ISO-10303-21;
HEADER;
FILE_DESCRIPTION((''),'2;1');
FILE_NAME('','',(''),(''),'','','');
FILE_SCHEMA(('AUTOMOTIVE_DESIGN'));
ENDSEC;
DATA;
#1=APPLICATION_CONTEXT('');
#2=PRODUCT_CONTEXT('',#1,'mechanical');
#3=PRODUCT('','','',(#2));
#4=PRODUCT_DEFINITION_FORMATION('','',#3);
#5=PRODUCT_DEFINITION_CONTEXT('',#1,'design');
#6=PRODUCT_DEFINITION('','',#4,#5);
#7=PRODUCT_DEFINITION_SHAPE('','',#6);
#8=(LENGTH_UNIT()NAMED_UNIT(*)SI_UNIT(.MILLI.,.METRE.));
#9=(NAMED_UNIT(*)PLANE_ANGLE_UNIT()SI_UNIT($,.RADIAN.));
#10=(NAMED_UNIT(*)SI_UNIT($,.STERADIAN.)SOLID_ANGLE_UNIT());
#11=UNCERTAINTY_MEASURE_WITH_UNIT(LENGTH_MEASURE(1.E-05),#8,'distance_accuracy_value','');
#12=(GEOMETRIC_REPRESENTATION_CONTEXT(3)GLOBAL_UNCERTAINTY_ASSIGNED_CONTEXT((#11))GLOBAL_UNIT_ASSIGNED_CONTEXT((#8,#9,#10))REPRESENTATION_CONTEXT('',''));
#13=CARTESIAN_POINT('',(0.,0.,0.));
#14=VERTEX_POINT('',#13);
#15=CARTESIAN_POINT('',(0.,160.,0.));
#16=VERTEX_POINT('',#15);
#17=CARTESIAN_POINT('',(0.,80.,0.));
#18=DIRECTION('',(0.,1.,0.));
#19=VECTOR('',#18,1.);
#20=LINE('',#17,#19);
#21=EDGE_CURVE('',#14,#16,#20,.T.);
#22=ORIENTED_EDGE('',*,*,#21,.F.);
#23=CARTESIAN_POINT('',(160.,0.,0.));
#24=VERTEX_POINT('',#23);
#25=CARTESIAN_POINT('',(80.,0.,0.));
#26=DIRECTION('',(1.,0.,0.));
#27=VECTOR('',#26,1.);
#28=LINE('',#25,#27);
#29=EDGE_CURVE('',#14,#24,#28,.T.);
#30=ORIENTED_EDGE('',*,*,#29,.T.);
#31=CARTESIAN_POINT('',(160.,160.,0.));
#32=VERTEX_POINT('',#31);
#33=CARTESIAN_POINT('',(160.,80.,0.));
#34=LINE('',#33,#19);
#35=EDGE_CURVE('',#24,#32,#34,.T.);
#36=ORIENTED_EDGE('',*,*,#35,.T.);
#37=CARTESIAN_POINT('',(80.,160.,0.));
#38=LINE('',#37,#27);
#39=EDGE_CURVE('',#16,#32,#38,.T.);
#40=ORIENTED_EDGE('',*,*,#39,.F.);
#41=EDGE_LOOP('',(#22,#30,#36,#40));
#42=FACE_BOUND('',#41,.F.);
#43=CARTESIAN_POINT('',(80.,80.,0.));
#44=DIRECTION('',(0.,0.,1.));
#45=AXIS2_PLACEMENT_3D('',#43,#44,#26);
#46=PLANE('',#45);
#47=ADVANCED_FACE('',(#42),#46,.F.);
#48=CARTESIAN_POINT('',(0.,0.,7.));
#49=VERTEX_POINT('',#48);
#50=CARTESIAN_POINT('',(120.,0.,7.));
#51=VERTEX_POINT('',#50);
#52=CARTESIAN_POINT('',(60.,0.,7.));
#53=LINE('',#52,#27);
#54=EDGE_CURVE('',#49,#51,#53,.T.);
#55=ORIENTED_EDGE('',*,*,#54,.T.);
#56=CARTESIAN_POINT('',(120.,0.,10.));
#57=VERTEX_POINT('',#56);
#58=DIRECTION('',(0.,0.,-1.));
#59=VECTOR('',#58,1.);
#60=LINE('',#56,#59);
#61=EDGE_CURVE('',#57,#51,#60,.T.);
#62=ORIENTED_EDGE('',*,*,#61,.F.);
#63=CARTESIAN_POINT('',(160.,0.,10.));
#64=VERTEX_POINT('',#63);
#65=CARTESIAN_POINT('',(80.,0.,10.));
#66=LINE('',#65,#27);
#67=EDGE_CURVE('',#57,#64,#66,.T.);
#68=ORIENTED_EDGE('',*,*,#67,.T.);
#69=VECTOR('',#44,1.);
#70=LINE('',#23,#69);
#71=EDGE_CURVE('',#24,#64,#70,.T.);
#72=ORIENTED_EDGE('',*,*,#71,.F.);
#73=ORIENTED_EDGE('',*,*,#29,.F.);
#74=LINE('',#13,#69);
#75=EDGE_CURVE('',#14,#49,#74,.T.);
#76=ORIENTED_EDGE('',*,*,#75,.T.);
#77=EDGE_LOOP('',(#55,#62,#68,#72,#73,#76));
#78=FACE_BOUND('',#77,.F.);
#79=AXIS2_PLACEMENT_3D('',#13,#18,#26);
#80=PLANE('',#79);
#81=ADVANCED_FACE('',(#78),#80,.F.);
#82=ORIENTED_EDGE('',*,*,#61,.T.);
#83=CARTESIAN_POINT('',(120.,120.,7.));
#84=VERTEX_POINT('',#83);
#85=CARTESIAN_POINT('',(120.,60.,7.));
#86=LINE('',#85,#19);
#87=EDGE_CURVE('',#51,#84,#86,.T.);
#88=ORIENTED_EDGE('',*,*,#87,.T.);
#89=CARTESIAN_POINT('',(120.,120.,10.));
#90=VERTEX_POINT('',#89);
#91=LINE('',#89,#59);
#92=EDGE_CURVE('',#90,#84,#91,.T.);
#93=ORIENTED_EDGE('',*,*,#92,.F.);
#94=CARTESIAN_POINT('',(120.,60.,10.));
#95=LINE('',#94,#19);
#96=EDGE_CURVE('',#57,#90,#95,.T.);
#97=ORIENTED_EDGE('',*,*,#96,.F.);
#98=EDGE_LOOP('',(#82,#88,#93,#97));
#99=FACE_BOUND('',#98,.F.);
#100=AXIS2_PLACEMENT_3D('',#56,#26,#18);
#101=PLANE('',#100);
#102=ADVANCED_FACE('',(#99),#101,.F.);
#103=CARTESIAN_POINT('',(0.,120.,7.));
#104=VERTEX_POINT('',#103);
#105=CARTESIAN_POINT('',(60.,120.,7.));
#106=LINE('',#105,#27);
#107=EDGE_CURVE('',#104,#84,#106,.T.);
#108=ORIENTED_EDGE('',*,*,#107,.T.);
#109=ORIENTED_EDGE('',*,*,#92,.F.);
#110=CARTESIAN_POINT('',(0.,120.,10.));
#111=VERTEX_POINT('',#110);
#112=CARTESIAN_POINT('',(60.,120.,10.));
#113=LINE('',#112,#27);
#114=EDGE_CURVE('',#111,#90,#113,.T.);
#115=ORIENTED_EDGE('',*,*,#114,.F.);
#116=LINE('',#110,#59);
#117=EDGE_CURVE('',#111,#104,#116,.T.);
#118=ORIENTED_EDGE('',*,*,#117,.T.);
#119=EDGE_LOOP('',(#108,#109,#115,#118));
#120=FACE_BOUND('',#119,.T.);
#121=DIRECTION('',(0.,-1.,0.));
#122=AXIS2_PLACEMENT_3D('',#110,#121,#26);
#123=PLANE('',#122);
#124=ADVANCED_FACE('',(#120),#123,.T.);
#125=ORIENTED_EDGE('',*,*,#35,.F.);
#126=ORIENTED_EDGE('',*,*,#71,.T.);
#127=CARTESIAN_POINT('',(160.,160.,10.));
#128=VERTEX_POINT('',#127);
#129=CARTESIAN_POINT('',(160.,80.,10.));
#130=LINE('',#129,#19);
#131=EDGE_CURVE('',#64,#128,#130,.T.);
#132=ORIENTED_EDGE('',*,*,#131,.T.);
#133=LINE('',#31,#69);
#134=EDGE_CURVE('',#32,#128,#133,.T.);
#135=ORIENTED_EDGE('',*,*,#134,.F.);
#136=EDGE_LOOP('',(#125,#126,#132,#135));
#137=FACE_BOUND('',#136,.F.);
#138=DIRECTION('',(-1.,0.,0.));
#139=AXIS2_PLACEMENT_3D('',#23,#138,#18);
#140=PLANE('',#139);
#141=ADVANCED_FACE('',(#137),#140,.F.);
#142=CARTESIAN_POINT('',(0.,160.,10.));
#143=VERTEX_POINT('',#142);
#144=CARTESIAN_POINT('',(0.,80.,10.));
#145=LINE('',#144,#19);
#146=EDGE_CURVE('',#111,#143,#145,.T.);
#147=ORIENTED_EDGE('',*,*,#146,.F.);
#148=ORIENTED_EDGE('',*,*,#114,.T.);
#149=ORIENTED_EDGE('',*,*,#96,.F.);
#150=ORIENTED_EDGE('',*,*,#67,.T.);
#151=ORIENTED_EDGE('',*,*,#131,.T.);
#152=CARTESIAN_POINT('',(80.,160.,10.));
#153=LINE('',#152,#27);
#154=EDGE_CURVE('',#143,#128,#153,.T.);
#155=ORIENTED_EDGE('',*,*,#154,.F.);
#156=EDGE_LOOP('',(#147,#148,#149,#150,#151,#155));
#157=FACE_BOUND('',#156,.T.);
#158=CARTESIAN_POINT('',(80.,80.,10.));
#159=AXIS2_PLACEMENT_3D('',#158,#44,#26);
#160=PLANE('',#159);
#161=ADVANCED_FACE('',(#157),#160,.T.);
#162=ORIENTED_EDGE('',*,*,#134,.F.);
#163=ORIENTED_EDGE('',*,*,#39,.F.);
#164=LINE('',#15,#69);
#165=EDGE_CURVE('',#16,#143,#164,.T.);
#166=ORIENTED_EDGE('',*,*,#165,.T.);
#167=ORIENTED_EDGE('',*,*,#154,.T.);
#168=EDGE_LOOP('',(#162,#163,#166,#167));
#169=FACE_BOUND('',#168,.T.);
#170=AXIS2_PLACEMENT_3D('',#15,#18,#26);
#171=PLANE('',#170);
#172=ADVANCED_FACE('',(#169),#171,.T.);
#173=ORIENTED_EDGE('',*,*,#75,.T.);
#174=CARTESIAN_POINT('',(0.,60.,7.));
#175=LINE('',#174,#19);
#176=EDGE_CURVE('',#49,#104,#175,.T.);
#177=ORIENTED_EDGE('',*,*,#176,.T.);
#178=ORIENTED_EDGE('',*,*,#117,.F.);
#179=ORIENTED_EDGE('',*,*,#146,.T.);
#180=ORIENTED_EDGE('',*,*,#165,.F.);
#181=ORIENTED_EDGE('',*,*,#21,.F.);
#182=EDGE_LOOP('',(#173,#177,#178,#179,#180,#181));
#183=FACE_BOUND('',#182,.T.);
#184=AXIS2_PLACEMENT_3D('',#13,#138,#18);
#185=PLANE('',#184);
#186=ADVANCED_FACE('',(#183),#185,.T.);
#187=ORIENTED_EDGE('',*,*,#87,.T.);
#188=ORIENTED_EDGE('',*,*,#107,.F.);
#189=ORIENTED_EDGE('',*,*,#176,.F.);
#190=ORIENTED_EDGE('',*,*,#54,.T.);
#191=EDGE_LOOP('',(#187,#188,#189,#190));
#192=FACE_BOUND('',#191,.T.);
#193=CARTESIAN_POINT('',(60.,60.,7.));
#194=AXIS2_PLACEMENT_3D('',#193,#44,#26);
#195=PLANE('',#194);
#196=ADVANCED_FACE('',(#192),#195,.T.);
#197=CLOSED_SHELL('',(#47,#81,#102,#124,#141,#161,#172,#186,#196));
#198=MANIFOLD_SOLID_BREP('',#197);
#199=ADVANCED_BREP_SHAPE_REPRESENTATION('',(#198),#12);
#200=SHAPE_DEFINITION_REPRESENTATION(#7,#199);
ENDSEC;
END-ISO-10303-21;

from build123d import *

# Parameters (mm, degrees)
SKETCH_W     = 160
SKETCH_H     = 160
PAD_DEPTH    = 10
SKETCH001_W  = 120
SKETCH001_H  = 120
POCKET_DEPTH = 3


with BuildPart() as part:
    # Sketch → Pad (new body)
    with BuildSketch(Plane.XY):
        with Locations((80, 80)):
            Rectangle(SKETCH_W, SKETCH_H)
    extrude(amount=PAD_DEPTH)

    # Sketch001 (on Face6 of Pad) → Pocket (cut)
    with BuildSketch(Plane.XY.offset(10)):
        with Locations((60, 60)):
            Rectangle(SKETCH001_W, SKETCH001_H)
    extrude(amount=-POCKET_DEPTH, mode=Mode.SUBTRACT)


solid = part.part
